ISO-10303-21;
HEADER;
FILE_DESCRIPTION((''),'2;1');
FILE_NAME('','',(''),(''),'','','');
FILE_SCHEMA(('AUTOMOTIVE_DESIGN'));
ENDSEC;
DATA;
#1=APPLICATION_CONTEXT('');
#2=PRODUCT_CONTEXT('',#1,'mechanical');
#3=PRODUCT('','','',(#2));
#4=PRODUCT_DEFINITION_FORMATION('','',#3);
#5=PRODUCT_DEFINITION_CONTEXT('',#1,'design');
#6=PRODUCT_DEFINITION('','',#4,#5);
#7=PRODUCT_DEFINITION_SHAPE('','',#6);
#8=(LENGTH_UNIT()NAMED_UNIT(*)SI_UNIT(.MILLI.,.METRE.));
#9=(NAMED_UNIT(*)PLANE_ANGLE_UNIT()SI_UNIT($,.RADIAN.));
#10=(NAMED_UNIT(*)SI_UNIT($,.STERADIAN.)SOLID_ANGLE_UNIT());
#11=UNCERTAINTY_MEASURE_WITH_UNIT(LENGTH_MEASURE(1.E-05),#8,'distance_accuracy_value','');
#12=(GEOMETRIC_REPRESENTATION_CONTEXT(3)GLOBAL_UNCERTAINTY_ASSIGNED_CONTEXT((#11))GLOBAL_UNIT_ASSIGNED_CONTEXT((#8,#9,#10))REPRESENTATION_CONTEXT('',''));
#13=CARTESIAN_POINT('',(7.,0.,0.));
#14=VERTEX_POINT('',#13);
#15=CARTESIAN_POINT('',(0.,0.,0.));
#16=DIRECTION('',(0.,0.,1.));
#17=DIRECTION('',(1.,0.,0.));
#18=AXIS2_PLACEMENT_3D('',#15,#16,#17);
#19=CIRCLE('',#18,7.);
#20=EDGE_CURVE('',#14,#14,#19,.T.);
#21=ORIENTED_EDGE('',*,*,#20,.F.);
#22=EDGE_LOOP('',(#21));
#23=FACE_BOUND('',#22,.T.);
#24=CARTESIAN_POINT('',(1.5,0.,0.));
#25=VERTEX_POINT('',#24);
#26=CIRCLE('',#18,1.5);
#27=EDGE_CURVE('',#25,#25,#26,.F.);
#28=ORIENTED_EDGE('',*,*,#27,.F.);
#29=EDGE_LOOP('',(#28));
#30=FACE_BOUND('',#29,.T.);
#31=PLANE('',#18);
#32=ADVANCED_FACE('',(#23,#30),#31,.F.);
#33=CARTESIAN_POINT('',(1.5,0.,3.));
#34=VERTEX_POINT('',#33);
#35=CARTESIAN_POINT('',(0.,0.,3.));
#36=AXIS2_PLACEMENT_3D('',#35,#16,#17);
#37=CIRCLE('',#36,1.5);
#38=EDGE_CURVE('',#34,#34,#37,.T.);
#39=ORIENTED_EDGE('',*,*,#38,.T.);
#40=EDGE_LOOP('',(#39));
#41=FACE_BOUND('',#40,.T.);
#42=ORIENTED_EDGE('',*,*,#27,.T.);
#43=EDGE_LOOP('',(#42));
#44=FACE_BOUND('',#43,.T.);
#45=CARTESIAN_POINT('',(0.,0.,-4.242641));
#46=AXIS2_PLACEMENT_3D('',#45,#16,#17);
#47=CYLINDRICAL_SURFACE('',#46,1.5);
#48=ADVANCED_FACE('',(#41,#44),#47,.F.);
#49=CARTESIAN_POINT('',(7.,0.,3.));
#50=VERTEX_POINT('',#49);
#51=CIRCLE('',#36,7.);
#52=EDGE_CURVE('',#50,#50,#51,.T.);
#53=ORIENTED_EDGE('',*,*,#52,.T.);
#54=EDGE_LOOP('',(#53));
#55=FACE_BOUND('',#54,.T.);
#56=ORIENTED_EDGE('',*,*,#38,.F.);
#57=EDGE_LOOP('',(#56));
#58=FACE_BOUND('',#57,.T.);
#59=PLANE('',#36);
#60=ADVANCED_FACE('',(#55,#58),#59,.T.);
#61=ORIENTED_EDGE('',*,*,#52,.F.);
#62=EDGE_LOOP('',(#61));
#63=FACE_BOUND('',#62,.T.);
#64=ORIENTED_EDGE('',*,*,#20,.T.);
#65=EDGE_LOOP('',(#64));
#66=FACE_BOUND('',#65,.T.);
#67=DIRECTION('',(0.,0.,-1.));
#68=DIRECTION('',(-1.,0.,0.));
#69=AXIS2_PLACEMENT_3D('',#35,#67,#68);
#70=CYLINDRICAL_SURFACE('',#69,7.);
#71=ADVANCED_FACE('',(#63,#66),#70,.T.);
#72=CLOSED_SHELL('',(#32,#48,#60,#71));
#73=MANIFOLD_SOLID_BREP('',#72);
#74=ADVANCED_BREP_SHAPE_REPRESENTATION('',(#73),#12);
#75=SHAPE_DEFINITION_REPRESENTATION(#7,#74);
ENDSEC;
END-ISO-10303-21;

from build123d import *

# Parameters (mm, degrees)
SKETCH1_R           = 7
BOSS_EXTRUDE1_DEPTH = 3
SKETCH2_R           = 1.5
CUT_EXTRUDE1_DEPTH  = 3


with BuildPart() as part:
    # Sketch1 → Boss-Extrude1 (new body)
    with BuildSketch(Plane.XY):
        Circle(SKETCH1_R)
    extrude(amount=BOSS_EXTRUDE1_DEPTH)

    # Sketch2 → Cut-Extrude1 (cut)
    with BuildSketch(Plane.XY.offset(3)):
        Circle(SKETCH2_R)
    extrude(amount=-CUT_EXTRUDE1_DEPTH, mode=Mode.SUBTRACT)


solid = part.part
